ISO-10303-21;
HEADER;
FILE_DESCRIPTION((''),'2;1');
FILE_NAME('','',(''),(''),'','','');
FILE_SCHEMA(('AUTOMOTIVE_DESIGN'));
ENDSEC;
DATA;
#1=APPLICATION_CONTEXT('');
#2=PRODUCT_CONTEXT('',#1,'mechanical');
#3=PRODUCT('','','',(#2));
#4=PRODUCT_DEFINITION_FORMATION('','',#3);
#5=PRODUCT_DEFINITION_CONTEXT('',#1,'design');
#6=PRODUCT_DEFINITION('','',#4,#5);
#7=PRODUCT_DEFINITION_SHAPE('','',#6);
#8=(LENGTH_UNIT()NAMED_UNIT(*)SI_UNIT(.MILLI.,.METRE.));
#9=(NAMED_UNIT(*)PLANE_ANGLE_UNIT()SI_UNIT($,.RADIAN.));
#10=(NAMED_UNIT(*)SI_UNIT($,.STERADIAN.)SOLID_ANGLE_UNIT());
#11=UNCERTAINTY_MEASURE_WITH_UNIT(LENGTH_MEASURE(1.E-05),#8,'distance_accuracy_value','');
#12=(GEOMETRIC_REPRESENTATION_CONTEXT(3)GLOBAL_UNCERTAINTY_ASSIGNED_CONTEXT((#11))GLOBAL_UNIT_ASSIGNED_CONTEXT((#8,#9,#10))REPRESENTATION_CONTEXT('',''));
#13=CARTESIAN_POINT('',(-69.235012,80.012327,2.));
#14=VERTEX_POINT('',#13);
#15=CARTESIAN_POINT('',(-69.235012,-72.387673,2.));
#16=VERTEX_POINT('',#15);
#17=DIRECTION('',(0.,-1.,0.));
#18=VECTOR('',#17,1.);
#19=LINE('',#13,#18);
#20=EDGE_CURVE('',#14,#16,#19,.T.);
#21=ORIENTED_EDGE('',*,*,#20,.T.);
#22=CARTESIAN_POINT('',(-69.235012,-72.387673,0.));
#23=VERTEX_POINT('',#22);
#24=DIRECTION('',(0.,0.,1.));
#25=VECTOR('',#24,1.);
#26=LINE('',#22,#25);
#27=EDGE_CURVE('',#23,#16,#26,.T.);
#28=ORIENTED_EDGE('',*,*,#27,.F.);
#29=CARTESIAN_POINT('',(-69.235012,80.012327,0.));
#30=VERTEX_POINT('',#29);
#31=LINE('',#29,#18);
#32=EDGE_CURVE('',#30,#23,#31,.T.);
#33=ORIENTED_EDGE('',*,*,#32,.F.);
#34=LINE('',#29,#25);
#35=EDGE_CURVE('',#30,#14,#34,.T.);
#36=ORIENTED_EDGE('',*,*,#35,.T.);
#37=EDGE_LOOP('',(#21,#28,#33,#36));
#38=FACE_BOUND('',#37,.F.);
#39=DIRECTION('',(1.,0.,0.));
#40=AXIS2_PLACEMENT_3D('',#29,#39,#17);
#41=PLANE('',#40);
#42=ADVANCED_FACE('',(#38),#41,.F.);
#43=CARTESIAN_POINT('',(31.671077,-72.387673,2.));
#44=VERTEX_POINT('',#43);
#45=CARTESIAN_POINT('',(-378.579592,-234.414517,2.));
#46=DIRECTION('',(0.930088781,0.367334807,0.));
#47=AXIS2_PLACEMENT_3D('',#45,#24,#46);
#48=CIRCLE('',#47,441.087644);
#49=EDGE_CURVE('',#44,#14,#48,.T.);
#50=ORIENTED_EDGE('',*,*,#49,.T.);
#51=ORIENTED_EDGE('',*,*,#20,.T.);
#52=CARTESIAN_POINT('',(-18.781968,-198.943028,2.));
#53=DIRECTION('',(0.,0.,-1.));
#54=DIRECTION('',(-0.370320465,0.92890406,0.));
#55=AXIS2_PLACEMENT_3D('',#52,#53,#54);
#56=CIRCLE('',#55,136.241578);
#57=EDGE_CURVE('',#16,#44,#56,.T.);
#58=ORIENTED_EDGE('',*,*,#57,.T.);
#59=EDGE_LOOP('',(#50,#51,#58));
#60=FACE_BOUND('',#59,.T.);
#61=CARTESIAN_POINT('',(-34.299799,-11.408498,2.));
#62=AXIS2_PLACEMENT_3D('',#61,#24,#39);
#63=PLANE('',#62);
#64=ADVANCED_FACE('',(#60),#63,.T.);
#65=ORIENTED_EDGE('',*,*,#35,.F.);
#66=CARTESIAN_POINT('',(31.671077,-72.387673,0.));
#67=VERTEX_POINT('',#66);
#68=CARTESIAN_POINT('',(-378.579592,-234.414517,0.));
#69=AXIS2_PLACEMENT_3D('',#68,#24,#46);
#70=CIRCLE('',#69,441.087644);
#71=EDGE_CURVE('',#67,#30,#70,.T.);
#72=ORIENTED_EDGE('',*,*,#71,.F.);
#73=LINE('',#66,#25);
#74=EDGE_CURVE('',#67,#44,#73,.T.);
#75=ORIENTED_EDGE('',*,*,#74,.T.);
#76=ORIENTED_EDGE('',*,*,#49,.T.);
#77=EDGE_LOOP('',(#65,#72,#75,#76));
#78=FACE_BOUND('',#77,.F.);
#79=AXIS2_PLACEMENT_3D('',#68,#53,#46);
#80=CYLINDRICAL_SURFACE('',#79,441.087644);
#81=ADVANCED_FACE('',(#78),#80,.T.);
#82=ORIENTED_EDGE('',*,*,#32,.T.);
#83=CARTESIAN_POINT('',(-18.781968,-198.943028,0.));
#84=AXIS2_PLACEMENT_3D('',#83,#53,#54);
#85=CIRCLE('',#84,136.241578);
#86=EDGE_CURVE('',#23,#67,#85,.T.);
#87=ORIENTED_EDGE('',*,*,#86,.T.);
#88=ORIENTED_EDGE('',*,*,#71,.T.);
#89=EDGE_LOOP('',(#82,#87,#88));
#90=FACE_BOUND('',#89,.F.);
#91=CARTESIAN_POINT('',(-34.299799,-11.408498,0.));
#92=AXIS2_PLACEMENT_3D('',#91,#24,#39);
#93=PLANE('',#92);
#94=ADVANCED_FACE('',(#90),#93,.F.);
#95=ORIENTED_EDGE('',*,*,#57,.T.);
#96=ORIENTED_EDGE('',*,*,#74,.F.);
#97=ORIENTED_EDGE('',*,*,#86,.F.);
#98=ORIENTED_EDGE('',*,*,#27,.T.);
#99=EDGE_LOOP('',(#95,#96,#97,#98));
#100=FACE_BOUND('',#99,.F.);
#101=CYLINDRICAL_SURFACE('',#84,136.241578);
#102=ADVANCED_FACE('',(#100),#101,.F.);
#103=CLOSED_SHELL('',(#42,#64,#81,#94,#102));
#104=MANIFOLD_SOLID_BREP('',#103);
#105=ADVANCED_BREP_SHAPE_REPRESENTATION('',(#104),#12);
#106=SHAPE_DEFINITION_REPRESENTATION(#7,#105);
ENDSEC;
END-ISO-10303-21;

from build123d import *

# Parameters (mm, degrees)
F1_DEPTH = 2


with BuildPart() as f1:
    # F0 (on Top) → F1 (new body)
    with BuildSketch(Plane.XY):
        with BuildLine():
            ThreePointArc((31.671077, -72.387673), (-10.801438, 9.096343), (-69.235012, 80.012327))
            Line((-69.235012, 80.012327), (-69.235012, -72.387673))
            ThreePointArc((-69.235012, -72.387673), (-18.781967, -62.70145), (31.671077, -72.387673))
        make_face()
    extrude(amount=F1_DEPTH)


solid = f1.part
